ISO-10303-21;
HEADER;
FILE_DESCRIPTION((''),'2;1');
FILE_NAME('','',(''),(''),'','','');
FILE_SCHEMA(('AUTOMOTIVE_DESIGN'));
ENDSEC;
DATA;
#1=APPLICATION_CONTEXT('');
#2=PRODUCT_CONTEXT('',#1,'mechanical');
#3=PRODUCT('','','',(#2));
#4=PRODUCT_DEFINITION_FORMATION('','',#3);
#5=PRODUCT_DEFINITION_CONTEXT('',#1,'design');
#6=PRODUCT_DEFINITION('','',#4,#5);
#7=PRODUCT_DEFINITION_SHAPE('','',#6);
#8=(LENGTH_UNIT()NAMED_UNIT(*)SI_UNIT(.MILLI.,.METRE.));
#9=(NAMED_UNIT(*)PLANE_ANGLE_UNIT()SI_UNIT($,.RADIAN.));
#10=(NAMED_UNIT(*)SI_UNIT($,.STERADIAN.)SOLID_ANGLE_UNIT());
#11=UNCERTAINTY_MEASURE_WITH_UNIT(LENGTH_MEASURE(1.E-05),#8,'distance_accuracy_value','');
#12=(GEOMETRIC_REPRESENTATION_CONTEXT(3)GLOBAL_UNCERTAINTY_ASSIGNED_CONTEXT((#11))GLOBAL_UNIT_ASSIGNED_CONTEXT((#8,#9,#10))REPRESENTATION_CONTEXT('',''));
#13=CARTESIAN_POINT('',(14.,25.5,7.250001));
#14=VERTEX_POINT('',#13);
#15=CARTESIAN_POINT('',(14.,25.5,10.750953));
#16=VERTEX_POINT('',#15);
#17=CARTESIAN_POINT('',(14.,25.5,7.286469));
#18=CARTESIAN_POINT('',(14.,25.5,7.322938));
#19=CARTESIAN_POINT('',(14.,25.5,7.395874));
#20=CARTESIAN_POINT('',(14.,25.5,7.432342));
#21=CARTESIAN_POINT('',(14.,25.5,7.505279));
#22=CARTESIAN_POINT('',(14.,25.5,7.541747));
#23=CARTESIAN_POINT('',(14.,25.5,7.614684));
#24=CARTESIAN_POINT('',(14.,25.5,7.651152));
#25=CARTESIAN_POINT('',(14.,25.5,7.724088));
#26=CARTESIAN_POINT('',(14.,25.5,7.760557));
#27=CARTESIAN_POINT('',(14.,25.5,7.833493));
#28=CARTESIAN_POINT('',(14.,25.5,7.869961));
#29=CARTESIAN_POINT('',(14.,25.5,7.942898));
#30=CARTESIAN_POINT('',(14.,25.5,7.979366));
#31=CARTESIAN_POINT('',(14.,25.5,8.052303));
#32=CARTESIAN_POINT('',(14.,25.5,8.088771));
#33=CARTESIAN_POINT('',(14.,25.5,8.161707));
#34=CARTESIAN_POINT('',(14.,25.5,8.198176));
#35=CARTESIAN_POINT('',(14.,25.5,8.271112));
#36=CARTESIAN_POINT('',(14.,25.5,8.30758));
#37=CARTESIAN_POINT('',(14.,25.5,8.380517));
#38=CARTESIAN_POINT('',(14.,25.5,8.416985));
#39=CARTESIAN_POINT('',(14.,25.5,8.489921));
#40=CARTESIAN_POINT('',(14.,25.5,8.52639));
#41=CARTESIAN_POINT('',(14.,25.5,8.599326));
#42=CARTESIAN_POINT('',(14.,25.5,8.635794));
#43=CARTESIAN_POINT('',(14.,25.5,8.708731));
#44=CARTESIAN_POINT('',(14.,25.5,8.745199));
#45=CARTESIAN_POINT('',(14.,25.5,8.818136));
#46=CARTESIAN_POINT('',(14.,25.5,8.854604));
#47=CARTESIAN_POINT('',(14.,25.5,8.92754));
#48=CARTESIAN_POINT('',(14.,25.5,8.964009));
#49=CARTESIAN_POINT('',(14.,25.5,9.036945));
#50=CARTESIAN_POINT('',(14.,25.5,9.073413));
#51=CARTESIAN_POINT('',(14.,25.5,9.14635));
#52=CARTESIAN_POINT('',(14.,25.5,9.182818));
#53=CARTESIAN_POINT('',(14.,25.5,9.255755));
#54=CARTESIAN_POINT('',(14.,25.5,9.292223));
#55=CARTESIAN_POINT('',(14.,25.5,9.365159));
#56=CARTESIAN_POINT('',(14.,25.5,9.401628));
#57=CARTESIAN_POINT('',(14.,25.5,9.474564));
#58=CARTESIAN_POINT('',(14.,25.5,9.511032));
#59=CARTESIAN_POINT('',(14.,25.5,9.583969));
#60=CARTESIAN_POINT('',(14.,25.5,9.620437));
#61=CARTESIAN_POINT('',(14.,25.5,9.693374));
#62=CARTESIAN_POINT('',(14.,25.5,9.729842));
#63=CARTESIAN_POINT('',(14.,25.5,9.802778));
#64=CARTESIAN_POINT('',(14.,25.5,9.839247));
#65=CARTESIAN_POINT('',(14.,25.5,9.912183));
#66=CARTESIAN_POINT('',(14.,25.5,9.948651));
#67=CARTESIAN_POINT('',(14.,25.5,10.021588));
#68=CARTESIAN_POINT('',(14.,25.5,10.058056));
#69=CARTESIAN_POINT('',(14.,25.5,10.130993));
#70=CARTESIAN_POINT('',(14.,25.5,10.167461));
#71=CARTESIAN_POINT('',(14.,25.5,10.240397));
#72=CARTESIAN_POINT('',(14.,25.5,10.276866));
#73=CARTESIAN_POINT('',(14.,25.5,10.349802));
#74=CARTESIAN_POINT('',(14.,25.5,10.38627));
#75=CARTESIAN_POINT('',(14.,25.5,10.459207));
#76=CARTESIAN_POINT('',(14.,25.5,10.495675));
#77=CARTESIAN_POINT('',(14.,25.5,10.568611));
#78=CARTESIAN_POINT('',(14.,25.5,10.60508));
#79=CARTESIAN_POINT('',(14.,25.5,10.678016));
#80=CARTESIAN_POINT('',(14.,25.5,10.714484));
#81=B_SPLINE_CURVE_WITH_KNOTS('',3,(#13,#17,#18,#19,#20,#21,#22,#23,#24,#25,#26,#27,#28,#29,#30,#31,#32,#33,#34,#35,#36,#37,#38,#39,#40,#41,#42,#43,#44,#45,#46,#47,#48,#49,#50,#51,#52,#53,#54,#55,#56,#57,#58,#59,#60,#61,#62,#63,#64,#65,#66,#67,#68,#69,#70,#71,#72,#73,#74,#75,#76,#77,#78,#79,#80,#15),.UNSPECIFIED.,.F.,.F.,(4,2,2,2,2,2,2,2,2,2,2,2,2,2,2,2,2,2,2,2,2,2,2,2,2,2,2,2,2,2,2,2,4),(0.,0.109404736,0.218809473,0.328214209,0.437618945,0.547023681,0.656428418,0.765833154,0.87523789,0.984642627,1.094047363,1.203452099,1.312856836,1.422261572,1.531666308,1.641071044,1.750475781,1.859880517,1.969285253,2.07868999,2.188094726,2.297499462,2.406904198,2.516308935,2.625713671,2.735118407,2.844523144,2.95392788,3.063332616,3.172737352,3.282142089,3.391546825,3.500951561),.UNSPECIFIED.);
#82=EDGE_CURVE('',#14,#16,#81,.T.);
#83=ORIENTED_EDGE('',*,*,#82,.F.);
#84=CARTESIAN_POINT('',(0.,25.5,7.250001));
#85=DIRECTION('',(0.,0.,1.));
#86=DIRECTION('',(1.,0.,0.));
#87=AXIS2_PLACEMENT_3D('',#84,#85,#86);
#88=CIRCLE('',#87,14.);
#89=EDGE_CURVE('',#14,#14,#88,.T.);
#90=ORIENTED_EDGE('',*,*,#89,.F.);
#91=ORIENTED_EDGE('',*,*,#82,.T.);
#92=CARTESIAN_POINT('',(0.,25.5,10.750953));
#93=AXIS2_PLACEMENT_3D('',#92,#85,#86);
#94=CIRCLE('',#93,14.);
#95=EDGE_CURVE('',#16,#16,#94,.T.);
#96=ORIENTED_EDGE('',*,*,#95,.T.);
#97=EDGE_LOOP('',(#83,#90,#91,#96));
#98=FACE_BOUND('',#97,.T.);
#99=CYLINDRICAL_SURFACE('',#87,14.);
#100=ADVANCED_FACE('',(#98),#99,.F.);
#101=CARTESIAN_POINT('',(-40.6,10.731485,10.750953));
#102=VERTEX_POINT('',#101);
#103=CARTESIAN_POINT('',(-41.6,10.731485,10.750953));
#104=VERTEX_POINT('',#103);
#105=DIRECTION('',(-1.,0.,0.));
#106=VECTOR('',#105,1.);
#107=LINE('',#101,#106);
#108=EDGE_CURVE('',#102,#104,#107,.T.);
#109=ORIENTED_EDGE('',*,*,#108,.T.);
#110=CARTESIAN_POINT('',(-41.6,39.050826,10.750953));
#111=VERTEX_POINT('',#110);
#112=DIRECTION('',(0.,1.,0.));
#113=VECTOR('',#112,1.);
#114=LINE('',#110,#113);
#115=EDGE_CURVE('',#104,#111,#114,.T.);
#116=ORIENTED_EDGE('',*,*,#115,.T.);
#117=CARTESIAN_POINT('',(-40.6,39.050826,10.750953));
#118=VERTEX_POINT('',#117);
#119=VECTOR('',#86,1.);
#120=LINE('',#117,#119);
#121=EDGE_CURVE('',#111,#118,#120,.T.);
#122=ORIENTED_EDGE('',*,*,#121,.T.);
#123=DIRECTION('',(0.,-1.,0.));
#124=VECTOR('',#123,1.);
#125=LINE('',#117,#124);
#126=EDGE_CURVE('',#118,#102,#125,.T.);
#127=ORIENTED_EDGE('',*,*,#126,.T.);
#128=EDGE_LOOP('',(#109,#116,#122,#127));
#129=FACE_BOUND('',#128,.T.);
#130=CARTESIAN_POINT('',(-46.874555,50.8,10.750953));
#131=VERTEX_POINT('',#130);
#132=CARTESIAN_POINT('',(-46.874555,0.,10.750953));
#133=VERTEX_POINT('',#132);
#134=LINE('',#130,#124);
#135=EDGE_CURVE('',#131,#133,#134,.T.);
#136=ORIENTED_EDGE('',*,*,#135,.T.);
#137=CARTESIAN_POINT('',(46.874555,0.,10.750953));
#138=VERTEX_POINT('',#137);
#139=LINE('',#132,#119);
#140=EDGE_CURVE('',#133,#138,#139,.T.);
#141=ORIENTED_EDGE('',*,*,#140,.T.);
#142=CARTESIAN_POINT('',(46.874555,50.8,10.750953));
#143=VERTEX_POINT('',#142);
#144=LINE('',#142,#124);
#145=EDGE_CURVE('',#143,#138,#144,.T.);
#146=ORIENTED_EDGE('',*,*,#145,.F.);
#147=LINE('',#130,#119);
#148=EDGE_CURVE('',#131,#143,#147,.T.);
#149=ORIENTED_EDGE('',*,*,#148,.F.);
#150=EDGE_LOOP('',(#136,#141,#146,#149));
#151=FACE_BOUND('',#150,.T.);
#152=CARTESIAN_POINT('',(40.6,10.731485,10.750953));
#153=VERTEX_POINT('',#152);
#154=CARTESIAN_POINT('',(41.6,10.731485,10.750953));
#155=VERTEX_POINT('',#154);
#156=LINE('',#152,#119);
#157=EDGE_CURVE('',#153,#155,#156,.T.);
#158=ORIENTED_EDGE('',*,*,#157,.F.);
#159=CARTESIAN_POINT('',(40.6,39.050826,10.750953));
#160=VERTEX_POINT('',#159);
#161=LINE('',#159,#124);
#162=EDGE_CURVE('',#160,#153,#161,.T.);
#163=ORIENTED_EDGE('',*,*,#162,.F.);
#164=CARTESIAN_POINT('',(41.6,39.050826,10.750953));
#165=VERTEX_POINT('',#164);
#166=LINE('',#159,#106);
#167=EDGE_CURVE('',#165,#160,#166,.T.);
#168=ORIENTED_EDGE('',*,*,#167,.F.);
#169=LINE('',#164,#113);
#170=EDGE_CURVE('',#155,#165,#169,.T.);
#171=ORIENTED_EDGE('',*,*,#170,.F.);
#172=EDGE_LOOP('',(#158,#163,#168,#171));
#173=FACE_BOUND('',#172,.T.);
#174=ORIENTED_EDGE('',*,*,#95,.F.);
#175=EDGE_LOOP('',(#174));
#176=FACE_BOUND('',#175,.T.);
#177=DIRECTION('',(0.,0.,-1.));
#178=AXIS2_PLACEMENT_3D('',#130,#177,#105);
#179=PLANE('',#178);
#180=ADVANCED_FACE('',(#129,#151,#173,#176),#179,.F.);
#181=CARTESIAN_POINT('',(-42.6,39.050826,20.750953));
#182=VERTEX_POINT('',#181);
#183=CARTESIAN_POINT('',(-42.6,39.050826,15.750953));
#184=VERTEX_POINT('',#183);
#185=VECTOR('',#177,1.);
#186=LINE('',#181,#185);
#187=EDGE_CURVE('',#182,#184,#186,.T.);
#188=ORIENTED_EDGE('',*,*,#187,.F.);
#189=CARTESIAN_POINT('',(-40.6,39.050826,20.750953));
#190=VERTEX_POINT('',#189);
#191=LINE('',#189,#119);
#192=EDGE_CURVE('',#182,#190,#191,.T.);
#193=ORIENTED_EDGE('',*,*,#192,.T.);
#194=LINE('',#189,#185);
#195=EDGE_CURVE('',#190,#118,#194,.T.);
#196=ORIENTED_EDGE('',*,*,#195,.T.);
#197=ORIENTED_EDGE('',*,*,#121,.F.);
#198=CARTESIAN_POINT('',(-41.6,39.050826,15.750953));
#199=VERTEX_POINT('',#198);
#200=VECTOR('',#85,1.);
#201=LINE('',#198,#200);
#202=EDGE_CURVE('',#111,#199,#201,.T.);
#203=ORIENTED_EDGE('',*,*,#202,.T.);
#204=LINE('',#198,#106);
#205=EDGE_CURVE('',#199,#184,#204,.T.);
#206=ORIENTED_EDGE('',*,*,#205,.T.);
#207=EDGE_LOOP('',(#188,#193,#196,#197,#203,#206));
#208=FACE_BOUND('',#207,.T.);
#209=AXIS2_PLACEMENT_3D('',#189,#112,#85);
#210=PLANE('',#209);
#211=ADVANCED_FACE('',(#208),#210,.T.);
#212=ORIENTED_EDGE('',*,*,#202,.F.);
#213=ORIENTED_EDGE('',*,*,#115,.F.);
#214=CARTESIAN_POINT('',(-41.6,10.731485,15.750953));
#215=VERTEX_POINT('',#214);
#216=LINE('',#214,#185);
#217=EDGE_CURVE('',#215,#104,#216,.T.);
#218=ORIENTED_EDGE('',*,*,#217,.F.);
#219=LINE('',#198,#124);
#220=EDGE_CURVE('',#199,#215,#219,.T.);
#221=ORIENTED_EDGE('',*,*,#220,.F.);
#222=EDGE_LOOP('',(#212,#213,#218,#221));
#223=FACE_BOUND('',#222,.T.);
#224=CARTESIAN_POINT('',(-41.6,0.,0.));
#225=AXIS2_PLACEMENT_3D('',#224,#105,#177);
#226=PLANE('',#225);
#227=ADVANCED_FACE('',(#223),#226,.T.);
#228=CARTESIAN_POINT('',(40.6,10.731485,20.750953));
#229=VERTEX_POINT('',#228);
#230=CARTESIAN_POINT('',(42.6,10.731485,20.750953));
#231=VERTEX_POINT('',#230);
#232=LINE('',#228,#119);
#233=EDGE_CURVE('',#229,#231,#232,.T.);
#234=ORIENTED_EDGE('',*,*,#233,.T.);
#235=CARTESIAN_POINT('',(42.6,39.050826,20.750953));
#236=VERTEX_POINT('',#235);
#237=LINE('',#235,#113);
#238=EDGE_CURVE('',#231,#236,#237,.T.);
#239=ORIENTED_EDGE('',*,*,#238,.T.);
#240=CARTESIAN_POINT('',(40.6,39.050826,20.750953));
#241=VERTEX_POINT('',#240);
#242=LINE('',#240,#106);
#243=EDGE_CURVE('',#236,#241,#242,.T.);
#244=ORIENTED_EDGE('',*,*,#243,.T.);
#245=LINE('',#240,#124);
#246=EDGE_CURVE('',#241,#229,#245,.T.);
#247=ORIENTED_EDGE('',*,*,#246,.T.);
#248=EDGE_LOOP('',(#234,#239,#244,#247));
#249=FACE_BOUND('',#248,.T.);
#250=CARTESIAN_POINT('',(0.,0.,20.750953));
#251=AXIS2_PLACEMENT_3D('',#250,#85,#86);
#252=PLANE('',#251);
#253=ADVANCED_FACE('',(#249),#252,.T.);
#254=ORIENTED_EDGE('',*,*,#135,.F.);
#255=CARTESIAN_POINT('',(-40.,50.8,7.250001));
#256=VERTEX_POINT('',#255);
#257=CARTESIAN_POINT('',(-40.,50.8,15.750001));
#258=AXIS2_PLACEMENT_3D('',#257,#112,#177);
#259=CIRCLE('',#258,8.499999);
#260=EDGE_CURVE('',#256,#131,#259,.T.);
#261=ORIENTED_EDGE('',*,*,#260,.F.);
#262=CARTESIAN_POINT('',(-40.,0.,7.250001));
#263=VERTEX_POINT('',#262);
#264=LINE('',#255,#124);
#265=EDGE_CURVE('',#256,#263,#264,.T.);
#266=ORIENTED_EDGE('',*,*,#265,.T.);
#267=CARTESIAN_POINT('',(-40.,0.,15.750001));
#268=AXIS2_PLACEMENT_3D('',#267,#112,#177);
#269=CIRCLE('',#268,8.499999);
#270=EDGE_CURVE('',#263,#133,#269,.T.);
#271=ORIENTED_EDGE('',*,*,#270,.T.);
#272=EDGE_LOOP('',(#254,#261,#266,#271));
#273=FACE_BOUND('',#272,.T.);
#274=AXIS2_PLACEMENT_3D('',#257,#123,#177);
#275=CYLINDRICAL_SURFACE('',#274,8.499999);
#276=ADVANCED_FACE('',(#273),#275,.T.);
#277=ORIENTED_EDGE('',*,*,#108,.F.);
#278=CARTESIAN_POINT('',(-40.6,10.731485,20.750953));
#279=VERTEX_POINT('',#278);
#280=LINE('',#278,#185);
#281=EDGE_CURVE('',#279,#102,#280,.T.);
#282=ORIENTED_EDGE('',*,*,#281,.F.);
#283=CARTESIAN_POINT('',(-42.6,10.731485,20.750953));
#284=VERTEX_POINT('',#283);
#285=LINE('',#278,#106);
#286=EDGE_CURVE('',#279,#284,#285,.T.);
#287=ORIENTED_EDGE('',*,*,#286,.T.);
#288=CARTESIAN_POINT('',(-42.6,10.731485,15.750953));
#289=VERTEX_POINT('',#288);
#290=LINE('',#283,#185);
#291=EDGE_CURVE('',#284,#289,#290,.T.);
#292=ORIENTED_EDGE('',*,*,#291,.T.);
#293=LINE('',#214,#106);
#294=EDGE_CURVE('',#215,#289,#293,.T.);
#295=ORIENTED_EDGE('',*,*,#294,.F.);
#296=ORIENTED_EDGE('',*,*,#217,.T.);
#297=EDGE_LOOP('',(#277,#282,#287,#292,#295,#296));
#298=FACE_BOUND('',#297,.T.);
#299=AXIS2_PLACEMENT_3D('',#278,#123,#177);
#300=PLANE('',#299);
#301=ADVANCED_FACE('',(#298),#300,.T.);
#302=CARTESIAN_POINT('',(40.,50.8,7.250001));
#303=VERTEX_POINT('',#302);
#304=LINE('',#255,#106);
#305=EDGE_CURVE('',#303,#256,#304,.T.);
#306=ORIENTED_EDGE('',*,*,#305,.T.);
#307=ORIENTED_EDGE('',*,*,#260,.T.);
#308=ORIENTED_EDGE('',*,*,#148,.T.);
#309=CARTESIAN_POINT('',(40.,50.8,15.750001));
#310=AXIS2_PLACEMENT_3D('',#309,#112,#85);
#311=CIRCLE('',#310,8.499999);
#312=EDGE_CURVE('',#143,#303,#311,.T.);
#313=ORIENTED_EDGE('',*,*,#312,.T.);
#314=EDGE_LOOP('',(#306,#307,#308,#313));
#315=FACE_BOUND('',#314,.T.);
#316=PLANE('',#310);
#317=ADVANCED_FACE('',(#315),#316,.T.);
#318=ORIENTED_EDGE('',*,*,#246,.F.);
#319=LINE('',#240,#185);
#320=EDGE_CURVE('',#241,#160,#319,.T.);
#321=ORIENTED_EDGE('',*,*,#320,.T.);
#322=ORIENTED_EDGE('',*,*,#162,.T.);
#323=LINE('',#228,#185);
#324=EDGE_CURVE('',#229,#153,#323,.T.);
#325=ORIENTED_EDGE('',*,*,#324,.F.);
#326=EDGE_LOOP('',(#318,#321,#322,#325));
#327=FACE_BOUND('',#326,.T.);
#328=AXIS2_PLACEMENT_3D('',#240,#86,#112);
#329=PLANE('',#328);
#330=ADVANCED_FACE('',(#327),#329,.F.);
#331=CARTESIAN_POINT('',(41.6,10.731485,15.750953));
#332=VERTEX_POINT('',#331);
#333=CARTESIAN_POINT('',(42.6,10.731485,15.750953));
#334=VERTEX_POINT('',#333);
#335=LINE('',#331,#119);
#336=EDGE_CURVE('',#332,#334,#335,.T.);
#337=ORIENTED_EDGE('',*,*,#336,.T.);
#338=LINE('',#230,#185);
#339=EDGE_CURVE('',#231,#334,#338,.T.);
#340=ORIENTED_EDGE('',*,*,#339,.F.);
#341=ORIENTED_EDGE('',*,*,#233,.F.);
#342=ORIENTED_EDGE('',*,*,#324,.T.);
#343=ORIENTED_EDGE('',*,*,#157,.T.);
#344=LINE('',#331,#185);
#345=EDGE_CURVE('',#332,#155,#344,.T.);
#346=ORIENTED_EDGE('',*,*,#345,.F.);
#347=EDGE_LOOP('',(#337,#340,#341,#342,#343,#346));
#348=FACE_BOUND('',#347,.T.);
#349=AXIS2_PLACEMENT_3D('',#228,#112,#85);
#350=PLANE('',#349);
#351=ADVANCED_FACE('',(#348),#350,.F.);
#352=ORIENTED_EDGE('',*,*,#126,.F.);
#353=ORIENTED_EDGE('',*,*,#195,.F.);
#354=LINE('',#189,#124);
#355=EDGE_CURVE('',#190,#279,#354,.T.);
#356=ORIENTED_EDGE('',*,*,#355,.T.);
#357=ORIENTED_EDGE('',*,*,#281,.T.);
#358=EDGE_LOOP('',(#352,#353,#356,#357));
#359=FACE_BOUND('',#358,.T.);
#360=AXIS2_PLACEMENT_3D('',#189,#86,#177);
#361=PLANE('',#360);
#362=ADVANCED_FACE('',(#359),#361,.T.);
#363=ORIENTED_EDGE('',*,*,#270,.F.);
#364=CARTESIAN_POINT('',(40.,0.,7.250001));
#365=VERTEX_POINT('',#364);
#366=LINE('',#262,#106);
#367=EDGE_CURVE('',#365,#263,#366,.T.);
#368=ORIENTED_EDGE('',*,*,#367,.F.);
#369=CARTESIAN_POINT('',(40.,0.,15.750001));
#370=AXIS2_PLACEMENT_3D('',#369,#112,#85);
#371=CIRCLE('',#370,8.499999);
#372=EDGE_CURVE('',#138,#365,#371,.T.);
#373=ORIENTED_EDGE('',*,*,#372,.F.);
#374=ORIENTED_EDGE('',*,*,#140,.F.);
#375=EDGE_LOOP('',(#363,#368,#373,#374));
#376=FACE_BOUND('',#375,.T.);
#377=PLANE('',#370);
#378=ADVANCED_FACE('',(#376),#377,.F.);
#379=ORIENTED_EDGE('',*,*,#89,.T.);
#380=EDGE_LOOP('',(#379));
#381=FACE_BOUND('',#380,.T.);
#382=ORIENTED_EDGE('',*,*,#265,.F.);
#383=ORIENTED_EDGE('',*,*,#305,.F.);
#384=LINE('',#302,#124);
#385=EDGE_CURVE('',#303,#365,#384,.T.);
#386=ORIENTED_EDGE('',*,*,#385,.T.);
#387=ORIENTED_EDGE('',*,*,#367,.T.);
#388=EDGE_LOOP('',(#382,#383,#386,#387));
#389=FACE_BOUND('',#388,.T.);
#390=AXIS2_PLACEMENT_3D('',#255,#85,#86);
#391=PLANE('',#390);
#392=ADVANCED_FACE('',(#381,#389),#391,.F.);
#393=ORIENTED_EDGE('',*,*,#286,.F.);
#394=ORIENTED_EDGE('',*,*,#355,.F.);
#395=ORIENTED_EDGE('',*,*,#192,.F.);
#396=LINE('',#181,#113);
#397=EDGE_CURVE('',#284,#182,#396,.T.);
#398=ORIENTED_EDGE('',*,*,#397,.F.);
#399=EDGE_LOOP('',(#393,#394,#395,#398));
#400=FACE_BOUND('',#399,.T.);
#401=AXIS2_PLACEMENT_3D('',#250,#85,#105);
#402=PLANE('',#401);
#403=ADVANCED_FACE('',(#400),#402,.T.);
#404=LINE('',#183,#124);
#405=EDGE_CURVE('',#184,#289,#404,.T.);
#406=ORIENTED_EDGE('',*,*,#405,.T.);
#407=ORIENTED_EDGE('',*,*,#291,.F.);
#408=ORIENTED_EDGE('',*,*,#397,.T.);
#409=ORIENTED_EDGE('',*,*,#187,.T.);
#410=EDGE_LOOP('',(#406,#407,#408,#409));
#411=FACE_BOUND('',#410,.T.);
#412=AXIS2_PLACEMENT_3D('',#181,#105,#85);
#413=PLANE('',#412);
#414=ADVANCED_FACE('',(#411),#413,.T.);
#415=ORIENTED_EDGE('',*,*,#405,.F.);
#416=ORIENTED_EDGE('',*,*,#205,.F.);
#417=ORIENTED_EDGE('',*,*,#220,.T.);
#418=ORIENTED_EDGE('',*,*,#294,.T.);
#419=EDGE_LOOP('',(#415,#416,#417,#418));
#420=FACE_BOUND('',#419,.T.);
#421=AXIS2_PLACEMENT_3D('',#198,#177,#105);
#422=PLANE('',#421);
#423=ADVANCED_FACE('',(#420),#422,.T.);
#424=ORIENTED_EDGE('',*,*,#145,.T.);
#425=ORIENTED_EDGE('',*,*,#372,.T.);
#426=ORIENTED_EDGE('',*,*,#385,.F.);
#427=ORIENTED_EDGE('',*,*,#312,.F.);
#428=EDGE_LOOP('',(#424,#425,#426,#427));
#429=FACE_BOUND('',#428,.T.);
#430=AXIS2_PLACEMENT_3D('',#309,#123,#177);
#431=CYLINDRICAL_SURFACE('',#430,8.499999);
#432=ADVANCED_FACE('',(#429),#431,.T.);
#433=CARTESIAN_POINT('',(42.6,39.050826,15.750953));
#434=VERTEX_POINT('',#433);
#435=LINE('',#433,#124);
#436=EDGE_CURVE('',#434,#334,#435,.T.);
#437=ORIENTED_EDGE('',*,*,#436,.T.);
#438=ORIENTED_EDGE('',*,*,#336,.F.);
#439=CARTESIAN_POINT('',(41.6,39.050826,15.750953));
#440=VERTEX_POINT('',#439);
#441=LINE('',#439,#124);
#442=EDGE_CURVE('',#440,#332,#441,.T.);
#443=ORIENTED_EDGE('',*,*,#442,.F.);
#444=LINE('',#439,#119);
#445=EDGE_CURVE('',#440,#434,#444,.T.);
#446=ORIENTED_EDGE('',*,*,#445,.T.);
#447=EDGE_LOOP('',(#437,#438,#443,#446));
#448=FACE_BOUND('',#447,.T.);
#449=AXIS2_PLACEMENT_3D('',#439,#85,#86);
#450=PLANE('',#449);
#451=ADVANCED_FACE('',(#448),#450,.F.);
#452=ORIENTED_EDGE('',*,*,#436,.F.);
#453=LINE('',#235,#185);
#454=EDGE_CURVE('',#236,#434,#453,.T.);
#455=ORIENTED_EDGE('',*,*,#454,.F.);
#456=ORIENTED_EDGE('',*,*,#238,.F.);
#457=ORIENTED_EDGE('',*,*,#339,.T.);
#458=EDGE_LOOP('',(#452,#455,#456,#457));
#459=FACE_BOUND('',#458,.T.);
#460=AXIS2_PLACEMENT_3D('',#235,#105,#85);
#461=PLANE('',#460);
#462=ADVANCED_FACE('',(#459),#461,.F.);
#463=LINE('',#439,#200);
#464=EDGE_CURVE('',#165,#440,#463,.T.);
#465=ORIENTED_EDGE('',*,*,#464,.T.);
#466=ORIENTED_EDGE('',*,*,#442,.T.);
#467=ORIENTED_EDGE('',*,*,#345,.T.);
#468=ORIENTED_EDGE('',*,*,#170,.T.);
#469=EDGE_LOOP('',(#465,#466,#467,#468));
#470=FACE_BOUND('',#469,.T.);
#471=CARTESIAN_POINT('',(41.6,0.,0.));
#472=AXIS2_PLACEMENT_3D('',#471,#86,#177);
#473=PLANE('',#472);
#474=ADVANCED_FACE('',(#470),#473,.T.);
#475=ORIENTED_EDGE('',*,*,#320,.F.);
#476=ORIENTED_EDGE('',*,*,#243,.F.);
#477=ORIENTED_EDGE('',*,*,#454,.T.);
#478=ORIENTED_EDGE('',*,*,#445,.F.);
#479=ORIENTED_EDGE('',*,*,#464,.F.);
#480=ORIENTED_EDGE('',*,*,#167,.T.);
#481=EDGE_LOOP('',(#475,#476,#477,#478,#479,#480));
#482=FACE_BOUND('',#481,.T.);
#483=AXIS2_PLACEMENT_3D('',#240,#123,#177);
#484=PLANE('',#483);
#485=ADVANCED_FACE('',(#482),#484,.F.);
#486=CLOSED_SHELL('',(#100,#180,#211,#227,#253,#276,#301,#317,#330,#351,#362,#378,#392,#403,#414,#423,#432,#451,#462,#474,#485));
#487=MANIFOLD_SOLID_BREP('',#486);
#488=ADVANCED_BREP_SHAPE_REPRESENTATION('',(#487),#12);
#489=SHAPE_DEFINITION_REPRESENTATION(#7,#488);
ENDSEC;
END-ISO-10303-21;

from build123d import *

# Parameters (mm, degrees)
BOSS_EXTRUDE1_DEPTH = 50.8
SKETCH4_W           = 2
SKETCH4_H           = 28.319341289
BOSS_EXTRUDE2_DEPTH = 10
SKETCH5_W           = 5
SKETCH5_H           = 28.319341289
CUT_EXTRUDE2_DEPTH  = 1
SKETCH8_R           = 14
CUT_EXTRUDE3_DEPTH  = 70.841706276


with BuildPart() as part:
    # Sketch1 → Boss-Extrude1 (new body)
    with BuildSketch(Plane(origin=(0, 0, 0), x_dir=(1, 0, 0), z_dir=(0, 1, 0))):
        with BuildLine():
            Line((-46.87455531, -10.750952702), (46.87455531, -10.750952702))
            ThreePointArc((46.87455531, -10.750952702), (43.857336275, -8.175639398), (40, -7.250001141))
            Line((40, -7.250001141), (-40, -7.250001141))
            ThreePointArc((-40, -7.250001141), (-43.857336275, -8.175639398), (-46.87455531, -10.750952702))
        make_face()
    extrude(amount=BOSS_EXTRUDE1_DEPTH)

    # Sketch4 → Boss-Extrude2 (add)
    with BuildSketch(Plane.XY.offset(10.750952702)):
        with Locations((41.6, 24.891155304)):
            Rectangle(SKETCH4_W, SKETCH4_H)
    boss_extrude2 = extrude(amount=BOSS_EXTRUDE2_DEPTH)

    # Sketch5 → Cut-Extrude2 (cut)
    with BuildSketch(Plane(origin=(42.6, 0, 0), x_dir=(0, 0, -1), z_dir=(1, 0, 0))):
        with Locations((-13.250952702, 24.891155304)):
            Rectangle(SKETCH5_W, SKETCH5_H)
    cut_extrude2 = extrude(amount=-CUT_EXTRUDE2_DEPTH, mode=Mode.SUBTRACT)

    # Mirror1: Boss-Extrude2, Cut-Extrude2 across plane
    add(boss_extrude2.mirror(Plane(origin=(0, 0, 0), x_dir=(0, 0, 1), z_dir=(1, 0, 0))))
    add(cut_extrude2.mirror(Plane(origin=(0, 0, 0), x_dir=(0, 0, 1), z_dir=(1, 0, 0))), mode=Mode.SUBTRACT)

    # Sketch8 → Cut-Extrude3 (cut, through all)
    with BuildSketch(Plane.XY.offset(10.750952702)):
        with Locations((0, 25.5)):
            Circle(SKETCH8_R)
    extrude(amount=-CUT_EXTRUDE3_DEPTH, mode=Mode.SUBTRACT)


solid = part.part
